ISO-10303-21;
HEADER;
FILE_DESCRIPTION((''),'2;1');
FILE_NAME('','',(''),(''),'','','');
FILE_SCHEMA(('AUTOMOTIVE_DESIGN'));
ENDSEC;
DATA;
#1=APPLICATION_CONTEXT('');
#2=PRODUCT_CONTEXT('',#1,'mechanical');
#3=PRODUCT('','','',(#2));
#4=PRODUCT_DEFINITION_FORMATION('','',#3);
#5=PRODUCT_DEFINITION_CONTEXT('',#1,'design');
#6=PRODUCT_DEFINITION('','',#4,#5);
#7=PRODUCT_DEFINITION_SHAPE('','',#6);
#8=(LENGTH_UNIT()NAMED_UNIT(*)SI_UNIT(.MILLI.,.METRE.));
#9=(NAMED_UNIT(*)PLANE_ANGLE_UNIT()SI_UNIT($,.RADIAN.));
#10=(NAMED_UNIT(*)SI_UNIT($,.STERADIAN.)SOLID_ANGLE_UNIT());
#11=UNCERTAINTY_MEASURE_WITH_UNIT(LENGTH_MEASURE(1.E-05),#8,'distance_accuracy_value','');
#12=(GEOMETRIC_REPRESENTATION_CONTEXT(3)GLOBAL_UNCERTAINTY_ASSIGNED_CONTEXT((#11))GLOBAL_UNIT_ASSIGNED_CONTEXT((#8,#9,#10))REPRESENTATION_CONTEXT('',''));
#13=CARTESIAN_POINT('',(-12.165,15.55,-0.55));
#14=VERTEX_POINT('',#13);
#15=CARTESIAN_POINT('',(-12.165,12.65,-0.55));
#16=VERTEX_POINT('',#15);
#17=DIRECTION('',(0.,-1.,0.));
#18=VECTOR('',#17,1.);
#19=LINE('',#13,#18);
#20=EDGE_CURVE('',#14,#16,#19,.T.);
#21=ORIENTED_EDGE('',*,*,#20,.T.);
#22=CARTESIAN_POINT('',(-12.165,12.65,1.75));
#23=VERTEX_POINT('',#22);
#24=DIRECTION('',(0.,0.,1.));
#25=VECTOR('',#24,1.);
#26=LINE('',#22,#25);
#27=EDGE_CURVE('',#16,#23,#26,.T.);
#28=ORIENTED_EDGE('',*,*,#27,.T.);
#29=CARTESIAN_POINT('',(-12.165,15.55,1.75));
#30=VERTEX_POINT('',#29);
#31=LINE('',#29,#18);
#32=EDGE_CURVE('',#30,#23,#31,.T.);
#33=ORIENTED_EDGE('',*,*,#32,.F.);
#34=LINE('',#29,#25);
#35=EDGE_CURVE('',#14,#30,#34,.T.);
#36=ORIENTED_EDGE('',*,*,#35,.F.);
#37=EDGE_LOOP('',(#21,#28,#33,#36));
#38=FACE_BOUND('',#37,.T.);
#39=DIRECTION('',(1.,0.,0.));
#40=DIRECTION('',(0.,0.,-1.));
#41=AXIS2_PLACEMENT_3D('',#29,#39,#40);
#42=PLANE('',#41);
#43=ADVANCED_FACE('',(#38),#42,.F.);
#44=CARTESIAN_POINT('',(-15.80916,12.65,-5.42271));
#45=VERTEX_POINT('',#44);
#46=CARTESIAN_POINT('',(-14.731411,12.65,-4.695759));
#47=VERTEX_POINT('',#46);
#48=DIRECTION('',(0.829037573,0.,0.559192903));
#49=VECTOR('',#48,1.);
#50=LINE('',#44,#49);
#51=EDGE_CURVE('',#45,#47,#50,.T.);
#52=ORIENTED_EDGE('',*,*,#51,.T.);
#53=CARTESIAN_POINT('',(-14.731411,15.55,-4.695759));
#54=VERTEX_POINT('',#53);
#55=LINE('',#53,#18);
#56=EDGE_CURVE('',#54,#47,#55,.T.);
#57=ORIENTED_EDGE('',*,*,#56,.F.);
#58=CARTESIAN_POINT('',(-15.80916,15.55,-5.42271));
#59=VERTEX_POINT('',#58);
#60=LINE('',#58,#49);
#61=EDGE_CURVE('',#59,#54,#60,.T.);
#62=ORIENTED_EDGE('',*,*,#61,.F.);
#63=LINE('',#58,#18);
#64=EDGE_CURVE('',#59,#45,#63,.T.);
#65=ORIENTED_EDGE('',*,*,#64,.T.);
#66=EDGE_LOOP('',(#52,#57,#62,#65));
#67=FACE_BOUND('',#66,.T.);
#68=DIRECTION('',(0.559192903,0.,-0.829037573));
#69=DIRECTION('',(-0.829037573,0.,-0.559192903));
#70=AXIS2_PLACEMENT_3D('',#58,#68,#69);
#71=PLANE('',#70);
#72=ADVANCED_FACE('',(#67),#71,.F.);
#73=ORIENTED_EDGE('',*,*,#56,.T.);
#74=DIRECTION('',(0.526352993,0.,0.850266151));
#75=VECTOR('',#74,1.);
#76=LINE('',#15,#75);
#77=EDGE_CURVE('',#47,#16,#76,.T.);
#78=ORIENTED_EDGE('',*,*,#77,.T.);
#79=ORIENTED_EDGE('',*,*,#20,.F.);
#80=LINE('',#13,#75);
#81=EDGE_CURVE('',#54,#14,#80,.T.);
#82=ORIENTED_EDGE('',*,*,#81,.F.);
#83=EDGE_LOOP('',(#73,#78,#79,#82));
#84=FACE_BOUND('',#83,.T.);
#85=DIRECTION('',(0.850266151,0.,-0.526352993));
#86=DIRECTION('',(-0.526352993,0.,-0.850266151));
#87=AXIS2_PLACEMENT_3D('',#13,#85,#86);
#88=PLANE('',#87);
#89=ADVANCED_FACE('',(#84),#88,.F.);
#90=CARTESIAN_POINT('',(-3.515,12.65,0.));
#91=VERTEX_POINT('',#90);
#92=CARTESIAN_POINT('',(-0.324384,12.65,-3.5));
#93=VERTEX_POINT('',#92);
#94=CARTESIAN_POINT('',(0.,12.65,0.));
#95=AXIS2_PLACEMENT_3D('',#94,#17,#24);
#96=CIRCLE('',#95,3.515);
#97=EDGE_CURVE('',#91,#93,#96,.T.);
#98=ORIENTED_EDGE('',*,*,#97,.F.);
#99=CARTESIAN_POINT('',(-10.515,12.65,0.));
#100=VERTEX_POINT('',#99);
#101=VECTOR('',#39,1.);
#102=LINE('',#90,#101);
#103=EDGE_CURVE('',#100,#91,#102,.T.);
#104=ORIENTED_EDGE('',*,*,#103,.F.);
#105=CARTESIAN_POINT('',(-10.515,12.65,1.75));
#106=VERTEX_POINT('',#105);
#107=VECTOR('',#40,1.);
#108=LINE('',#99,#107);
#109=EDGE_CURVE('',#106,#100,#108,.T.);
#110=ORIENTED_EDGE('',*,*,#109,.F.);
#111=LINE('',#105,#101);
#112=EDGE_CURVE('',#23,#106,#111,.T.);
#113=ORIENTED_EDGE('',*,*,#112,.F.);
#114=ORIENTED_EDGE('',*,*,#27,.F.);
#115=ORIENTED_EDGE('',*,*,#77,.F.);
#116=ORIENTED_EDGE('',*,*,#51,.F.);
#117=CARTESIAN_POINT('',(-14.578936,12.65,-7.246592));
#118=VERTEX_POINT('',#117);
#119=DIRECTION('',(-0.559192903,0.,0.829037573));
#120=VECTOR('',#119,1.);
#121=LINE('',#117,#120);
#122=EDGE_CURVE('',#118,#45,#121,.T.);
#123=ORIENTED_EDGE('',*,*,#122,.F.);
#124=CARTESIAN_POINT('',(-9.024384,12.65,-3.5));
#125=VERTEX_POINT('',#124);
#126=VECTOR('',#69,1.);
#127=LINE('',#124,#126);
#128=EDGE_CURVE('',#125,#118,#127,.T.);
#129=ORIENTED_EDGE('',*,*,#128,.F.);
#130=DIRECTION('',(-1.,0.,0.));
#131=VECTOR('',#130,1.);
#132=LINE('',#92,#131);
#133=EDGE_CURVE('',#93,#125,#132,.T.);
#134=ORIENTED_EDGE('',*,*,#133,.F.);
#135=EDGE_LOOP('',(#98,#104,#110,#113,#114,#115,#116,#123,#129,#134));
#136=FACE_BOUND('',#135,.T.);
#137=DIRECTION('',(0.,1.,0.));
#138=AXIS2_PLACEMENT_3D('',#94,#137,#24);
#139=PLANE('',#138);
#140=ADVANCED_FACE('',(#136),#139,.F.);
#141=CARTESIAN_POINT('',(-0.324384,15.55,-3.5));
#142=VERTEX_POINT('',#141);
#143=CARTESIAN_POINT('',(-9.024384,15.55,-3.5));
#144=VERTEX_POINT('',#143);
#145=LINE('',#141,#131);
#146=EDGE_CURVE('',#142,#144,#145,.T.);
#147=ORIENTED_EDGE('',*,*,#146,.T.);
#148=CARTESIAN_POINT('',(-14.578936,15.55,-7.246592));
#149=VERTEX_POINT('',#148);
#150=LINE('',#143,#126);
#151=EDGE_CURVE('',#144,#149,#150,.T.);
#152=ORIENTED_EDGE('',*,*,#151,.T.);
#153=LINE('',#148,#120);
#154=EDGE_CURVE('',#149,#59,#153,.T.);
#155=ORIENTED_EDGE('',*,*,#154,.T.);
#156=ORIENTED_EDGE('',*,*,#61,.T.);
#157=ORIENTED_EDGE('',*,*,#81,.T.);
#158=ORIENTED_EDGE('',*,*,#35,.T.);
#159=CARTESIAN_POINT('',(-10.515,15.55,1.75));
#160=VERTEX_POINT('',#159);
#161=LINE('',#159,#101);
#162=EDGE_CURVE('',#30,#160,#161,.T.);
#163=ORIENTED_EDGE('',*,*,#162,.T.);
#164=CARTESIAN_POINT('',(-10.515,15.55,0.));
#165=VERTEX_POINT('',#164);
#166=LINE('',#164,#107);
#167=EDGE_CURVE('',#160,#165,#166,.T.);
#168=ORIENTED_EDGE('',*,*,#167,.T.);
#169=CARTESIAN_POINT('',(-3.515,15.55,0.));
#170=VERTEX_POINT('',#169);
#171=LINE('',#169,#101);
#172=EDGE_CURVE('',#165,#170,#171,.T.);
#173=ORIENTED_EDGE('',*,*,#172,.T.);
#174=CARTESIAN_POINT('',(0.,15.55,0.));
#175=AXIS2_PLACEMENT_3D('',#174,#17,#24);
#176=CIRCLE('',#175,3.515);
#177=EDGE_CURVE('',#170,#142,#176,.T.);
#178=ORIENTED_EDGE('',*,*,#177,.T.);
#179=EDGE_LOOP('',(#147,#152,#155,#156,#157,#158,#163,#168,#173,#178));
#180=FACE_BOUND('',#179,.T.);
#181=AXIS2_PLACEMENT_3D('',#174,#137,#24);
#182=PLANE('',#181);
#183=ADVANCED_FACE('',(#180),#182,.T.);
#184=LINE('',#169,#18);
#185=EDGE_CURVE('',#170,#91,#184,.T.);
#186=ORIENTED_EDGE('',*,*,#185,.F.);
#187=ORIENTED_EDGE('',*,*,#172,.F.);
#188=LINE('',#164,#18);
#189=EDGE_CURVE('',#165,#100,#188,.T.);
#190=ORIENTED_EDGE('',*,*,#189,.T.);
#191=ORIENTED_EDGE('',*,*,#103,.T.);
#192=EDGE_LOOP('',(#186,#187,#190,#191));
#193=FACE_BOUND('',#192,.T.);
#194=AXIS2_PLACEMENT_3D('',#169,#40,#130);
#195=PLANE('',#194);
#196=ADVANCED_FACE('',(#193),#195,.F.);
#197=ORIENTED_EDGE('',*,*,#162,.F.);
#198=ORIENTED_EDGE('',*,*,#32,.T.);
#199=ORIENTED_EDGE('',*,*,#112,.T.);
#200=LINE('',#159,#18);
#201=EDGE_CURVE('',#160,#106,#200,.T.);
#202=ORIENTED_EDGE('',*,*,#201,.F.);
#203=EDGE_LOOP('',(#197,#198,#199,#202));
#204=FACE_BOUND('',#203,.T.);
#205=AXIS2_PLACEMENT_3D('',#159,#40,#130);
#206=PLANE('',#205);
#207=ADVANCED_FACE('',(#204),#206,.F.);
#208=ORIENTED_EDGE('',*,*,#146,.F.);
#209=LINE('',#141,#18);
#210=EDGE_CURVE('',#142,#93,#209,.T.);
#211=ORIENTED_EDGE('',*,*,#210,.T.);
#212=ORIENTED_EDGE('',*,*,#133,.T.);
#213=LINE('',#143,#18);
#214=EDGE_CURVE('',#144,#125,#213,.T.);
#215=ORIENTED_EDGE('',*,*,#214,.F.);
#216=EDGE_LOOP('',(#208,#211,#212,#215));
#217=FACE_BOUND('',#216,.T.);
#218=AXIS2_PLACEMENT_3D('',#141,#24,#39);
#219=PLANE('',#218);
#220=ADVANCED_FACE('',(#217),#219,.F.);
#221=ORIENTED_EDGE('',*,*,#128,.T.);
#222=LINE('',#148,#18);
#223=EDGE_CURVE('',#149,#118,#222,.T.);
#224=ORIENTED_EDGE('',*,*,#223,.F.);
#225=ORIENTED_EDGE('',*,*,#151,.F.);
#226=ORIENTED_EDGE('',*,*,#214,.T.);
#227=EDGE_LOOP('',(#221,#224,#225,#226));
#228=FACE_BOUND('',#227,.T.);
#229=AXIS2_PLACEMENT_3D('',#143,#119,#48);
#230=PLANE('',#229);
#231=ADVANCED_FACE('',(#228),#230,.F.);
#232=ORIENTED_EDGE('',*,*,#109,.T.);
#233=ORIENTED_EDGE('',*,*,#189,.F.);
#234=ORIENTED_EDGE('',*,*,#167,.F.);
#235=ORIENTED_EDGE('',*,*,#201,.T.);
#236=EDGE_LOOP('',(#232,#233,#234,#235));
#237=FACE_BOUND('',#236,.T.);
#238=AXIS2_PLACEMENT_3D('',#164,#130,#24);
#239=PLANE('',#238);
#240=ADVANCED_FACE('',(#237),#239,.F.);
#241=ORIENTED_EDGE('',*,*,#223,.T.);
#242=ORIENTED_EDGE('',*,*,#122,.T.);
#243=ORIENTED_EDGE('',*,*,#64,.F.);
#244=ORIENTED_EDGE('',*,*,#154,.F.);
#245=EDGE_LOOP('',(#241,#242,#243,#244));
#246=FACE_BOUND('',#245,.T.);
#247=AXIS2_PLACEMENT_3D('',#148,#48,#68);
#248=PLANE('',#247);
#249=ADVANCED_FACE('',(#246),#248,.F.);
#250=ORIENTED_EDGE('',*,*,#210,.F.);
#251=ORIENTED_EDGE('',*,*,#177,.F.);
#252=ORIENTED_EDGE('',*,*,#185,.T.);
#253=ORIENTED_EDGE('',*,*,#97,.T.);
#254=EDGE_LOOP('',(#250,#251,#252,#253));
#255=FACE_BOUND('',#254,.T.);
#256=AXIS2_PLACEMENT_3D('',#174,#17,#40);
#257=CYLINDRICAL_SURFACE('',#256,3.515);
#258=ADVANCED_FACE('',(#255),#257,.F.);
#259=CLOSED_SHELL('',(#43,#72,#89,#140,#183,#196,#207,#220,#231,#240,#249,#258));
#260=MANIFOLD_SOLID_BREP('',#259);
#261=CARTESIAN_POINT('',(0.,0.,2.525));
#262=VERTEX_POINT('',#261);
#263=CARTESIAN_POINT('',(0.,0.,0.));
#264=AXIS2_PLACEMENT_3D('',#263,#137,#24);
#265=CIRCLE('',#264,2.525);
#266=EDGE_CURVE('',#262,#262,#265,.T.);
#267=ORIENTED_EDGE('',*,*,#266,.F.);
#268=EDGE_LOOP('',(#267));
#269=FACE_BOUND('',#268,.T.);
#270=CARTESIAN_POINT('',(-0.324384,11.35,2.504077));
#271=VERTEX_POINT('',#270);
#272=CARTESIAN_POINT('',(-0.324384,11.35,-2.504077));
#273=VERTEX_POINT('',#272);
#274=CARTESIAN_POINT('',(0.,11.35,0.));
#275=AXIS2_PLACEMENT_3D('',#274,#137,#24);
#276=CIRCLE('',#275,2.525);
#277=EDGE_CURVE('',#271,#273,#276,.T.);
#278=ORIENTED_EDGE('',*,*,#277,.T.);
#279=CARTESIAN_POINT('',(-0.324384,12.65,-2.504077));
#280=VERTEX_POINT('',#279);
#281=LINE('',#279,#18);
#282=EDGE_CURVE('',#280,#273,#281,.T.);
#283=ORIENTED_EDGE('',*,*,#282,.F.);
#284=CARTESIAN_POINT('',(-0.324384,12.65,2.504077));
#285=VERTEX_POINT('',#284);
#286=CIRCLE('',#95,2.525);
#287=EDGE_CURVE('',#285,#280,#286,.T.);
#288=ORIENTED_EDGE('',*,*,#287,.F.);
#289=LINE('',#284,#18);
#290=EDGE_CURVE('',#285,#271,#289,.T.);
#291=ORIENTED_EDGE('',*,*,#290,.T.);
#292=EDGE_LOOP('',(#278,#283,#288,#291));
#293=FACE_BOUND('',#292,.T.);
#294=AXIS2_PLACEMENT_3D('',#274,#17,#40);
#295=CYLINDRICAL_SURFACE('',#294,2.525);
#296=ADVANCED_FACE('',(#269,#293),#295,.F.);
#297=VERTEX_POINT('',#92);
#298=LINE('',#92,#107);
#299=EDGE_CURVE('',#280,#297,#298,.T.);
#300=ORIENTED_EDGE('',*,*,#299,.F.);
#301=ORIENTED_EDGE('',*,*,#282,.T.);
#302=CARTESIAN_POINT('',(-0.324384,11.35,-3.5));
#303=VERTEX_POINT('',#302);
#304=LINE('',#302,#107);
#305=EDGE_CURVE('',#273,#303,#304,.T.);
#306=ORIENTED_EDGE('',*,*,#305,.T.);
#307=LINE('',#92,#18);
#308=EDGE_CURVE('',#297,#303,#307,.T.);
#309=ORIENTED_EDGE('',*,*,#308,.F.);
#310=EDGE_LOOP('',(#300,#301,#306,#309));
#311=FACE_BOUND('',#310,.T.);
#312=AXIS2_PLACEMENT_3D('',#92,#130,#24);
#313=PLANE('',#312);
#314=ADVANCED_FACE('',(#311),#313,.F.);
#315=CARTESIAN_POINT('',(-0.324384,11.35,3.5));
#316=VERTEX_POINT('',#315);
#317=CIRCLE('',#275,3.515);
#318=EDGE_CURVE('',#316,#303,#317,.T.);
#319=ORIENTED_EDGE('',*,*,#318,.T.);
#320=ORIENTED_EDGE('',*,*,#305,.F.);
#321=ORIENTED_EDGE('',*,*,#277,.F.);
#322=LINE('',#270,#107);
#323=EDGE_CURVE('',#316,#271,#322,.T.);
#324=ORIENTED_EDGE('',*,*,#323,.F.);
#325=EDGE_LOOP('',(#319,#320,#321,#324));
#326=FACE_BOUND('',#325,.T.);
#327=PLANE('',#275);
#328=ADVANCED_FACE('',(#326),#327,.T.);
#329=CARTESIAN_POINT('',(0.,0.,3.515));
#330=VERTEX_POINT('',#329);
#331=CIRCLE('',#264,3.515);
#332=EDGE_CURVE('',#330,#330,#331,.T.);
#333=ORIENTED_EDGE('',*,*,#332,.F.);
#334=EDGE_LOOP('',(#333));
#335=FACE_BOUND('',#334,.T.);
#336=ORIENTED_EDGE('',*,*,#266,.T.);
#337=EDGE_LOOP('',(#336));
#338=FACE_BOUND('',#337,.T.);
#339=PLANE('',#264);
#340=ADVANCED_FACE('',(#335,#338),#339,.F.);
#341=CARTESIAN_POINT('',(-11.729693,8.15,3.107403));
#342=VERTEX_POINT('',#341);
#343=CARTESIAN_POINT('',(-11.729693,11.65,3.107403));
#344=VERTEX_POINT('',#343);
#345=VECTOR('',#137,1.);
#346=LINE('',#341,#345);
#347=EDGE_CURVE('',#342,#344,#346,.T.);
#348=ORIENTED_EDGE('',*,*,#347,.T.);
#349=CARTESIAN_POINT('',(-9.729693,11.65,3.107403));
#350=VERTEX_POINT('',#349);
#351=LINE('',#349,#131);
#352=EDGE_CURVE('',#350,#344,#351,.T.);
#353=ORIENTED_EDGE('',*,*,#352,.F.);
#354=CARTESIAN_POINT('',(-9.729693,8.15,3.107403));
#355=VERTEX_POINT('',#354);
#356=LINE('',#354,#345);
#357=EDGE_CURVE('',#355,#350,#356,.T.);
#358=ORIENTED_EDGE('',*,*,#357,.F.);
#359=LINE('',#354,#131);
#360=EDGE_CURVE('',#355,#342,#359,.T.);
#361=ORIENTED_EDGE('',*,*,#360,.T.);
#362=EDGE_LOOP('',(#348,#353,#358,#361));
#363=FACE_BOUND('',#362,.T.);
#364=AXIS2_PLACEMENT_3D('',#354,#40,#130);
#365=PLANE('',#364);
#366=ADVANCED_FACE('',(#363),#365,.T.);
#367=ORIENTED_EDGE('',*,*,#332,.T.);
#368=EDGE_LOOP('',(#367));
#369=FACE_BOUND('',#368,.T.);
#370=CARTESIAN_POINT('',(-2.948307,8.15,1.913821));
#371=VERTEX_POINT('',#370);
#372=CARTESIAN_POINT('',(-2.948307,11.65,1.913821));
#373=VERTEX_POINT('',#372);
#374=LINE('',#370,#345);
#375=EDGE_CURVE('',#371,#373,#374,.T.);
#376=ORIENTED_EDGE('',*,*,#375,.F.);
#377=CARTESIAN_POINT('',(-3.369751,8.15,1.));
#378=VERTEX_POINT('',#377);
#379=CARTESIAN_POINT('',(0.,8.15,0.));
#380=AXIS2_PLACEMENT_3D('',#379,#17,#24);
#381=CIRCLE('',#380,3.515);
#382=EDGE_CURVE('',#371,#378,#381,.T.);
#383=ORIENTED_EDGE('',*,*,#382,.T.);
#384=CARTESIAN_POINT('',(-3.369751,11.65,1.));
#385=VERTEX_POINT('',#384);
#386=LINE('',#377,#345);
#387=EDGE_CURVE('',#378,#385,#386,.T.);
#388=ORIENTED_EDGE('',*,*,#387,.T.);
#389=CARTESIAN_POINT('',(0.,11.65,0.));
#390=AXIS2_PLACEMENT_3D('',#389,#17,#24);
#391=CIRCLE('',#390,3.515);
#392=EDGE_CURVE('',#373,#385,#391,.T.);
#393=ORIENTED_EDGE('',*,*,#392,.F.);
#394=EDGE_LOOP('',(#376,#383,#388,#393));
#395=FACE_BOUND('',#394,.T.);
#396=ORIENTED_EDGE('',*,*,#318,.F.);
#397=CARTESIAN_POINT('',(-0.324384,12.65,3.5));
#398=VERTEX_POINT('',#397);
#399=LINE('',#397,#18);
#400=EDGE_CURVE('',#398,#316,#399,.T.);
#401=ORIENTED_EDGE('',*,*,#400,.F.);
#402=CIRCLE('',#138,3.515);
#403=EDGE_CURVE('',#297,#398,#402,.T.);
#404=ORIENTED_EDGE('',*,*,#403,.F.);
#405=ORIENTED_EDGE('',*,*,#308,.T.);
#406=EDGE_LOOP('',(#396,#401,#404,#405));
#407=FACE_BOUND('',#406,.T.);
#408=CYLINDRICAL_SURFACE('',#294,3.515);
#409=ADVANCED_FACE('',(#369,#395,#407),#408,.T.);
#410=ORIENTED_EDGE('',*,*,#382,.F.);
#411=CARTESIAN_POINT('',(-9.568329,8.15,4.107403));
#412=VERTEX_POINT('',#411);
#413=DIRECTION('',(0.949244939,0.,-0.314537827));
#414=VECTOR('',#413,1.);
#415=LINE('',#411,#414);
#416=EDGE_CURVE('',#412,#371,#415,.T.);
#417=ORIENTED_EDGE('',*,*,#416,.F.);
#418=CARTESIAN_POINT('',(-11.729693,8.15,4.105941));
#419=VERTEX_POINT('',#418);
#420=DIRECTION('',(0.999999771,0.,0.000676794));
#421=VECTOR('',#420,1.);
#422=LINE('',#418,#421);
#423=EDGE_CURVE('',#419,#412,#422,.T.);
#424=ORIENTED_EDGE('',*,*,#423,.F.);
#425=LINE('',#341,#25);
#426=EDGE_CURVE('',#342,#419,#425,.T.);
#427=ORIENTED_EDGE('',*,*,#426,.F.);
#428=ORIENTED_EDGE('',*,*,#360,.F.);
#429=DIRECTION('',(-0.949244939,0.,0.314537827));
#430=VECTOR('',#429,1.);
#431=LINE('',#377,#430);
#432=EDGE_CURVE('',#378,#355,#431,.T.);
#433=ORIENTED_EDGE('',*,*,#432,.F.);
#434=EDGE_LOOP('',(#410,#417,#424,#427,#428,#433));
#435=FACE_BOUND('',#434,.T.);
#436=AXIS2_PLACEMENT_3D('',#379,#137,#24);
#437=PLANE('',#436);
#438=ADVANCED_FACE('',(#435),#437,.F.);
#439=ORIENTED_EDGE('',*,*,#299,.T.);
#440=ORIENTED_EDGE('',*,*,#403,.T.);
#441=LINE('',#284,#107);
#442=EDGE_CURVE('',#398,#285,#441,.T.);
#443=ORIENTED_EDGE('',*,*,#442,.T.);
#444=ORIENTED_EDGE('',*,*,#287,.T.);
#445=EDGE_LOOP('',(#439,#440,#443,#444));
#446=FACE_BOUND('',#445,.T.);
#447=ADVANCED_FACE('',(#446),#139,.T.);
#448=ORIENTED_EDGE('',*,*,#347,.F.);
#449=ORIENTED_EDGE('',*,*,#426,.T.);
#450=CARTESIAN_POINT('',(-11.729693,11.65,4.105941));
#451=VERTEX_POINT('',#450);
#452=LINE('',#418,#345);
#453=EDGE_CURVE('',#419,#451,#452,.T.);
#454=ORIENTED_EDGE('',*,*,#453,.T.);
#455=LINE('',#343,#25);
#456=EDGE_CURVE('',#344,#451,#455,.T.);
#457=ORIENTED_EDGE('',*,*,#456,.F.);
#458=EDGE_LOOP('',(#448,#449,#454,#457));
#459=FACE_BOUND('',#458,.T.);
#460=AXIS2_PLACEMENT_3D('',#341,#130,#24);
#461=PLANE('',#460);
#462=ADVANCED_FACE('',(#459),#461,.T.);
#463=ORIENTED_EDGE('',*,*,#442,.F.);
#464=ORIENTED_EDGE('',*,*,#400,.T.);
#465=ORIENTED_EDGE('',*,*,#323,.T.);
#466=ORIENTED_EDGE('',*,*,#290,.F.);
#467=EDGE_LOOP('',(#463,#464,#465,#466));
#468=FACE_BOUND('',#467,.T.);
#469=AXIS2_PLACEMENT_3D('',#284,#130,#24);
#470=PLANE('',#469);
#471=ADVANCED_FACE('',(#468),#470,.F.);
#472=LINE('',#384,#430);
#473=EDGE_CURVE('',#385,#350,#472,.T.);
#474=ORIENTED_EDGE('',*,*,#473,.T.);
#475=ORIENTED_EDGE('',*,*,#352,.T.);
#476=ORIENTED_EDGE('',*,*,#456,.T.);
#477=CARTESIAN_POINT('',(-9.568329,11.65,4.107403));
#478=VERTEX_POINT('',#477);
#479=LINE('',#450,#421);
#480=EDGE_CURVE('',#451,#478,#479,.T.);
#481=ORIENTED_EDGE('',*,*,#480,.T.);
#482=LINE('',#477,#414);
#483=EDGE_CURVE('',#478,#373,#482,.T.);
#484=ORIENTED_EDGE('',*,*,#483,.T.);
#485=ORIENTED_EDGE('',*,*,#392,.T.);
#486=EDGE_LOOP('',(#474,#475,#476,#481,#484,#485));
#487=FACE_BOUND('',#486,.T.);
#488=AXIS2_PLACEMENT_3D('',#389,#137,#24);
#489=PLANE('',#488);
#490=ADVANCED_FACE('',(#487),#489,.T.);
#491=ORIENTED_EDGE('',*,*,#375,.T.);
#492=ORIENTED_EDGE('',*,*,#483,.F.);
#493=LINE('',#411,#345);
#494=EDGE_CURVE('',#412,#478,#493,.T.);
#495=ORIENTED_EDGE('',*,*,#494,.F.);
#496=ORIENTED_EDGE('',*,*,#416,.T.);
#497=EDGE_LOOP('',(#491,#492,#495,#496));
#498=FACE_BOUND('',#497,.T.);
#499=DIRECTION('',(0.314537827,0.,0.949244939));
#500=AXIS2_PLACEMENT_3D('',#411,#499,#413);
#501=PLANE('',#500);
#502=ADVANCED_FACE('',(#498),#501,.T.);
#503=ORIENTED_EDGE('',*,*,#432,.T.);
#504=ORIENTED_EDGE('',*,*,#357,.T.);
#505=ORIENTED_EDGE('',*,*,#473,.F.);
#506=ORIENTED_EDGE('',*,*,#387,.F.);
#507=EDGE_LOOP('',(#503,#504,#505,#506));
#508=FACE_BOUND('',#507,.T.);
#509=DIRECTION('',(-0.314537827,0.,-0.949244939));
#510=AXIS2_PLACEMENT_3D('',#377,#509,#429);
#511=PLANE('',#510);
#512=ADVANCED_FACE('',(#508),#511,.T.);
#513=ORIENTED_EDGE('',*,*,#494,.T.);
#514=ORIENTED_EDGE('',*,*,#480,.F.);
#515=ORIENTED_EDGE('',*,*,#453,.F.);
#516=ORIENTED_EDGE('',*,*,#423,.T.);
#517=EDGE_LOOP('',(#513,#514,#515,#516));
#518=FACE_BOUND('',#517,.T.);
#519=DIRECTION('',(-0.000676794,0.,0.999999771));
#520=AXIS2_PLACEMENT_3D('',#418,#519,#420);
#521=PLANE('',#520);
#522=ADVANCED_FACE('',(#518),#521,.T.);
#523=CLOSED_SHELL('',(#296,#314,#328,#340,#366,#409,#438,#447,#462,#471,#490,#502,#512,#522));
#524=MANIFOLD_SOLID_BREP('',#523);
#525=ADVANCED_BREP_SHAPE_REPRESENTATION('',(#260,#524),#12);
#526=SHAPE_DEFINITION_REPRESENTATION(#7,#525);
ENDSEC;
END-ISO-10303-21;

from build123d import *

# Parameters (mm, degrees)
SKETCH1_R           = 3.515
SKETCH1_R_2         = 2.525
BOSS_EXTRUDE1_DEPTH = 11.35
BOSS_EXTRUDE2_DEPTH = 1.3
BOSS_EXTRUDE3_DEPTH = 2.9
BOSS_EXTRUDE4_DEPTH = 3.5


with BuildPart() as part:
    # Sketch1 → Boss-Extrude1 (new body)
    with BuildSketch(Plane(origin=(0, 0, 0), x_dir=(1, 0, 0), z_dir=(0, 1, 0))):
        Circle(SKETCH1_R)
        Circle(SKETCH1_R_2, mode=Mode.SUBTRACT)
    extrude(amount=BOSS_EXTRUDE1_DEPTH)

    # Sketch2 → Boss-Extrude2 (add)
    with BuildSketch(Plane(origin=(0, 11.35, 0), x_dir=(1, 0, 0), z_dir=(0, 1, 0))):
        with BuildLine():
            Line((-0.324384032, 3.5), (-0.324384032, 2.504076676))
            ThreePointArc((-0.324384032, 2.504076676), (-2.525, 0), (-0.324384032, -2.504076676))
            Line((-0.324384032, -2.504076676), (-0.324384032, -3.5))
            ThreePointArc((-0.324384032, -3.5), (-3.515, 0), (-0.324384032, 3.5))
        make_face()
    extrude(amount=BOSS_EXTRUDE2_DEPTH)

    # Sketch6 → Boss-Extrude4 (add)
    with BuildSketch(Plane(origin=(0, 11.65, 0), x_dir=(1, 0, 0), z_dir=(0, 1, 0))):
        with BuildLine():
            Line((-3.369751475, -1), (-9.729692569, -3.107403444))
            Line((-9.729692569, -3.107403444), (-11.729692569, -3.107403444))
            Line((-11.729692569, -3.107403444), (-11.729692569, -4.105940644))
            Line((-11.729692569, -4.105940644), (-9.568328637, -4.107403444))
            Line((-9.568328637, -4.107403444), (-2.948307108, -1.913820837))
            ThreePointArc((-2.948307108, -1.913820837), (-3.191901188, -1.472070584), (-3.369751475, -1))
        make_face()
    extrude(amount=-BOSS_EXTRUDE4_DEPTH)


with BuildPart() as body_2:
    # Sketch3 → Boss-Extrude3 (new body)
    with BuildSketch(Plane(origin=(0, 12.65, 0), x_dir=(1, 0, 0), z_dir=(0, 1, 0))):
        with BuildLine():
            Line((-0.324384032, 3.5), (-9.024384032, 3.5))
            Line((-9.024384032, 3.5), (-14.578935768, 7.246592453))
            Line((-14.578935768, 7.246592453), (-15.809160155, 5.422709794))
            Line((-15.809160155, 5.422709794), (-14.731411311, 4.695759019))
            Line((-14.731411311, 4.695759019), (-12.165, 0.55))
            Line((-12.165, 0.55), (-12.165, -1.75))
            Line((-12.165, -1.75), (-10.515, -1.75))
            Line((-10.515, -1.75), (-10.515, 0))
            Line((-10.515, 0), (-3.515, 0))
            ThreePointArc((-3.515, 0), (-2.597636894, 2.368017644), (-0.324384032, 3.5))
        make_face()
    extrude(amount=BOSS_EXTRUDE3_DEPTH)


solid = Compound([part.part, body_2.part])
